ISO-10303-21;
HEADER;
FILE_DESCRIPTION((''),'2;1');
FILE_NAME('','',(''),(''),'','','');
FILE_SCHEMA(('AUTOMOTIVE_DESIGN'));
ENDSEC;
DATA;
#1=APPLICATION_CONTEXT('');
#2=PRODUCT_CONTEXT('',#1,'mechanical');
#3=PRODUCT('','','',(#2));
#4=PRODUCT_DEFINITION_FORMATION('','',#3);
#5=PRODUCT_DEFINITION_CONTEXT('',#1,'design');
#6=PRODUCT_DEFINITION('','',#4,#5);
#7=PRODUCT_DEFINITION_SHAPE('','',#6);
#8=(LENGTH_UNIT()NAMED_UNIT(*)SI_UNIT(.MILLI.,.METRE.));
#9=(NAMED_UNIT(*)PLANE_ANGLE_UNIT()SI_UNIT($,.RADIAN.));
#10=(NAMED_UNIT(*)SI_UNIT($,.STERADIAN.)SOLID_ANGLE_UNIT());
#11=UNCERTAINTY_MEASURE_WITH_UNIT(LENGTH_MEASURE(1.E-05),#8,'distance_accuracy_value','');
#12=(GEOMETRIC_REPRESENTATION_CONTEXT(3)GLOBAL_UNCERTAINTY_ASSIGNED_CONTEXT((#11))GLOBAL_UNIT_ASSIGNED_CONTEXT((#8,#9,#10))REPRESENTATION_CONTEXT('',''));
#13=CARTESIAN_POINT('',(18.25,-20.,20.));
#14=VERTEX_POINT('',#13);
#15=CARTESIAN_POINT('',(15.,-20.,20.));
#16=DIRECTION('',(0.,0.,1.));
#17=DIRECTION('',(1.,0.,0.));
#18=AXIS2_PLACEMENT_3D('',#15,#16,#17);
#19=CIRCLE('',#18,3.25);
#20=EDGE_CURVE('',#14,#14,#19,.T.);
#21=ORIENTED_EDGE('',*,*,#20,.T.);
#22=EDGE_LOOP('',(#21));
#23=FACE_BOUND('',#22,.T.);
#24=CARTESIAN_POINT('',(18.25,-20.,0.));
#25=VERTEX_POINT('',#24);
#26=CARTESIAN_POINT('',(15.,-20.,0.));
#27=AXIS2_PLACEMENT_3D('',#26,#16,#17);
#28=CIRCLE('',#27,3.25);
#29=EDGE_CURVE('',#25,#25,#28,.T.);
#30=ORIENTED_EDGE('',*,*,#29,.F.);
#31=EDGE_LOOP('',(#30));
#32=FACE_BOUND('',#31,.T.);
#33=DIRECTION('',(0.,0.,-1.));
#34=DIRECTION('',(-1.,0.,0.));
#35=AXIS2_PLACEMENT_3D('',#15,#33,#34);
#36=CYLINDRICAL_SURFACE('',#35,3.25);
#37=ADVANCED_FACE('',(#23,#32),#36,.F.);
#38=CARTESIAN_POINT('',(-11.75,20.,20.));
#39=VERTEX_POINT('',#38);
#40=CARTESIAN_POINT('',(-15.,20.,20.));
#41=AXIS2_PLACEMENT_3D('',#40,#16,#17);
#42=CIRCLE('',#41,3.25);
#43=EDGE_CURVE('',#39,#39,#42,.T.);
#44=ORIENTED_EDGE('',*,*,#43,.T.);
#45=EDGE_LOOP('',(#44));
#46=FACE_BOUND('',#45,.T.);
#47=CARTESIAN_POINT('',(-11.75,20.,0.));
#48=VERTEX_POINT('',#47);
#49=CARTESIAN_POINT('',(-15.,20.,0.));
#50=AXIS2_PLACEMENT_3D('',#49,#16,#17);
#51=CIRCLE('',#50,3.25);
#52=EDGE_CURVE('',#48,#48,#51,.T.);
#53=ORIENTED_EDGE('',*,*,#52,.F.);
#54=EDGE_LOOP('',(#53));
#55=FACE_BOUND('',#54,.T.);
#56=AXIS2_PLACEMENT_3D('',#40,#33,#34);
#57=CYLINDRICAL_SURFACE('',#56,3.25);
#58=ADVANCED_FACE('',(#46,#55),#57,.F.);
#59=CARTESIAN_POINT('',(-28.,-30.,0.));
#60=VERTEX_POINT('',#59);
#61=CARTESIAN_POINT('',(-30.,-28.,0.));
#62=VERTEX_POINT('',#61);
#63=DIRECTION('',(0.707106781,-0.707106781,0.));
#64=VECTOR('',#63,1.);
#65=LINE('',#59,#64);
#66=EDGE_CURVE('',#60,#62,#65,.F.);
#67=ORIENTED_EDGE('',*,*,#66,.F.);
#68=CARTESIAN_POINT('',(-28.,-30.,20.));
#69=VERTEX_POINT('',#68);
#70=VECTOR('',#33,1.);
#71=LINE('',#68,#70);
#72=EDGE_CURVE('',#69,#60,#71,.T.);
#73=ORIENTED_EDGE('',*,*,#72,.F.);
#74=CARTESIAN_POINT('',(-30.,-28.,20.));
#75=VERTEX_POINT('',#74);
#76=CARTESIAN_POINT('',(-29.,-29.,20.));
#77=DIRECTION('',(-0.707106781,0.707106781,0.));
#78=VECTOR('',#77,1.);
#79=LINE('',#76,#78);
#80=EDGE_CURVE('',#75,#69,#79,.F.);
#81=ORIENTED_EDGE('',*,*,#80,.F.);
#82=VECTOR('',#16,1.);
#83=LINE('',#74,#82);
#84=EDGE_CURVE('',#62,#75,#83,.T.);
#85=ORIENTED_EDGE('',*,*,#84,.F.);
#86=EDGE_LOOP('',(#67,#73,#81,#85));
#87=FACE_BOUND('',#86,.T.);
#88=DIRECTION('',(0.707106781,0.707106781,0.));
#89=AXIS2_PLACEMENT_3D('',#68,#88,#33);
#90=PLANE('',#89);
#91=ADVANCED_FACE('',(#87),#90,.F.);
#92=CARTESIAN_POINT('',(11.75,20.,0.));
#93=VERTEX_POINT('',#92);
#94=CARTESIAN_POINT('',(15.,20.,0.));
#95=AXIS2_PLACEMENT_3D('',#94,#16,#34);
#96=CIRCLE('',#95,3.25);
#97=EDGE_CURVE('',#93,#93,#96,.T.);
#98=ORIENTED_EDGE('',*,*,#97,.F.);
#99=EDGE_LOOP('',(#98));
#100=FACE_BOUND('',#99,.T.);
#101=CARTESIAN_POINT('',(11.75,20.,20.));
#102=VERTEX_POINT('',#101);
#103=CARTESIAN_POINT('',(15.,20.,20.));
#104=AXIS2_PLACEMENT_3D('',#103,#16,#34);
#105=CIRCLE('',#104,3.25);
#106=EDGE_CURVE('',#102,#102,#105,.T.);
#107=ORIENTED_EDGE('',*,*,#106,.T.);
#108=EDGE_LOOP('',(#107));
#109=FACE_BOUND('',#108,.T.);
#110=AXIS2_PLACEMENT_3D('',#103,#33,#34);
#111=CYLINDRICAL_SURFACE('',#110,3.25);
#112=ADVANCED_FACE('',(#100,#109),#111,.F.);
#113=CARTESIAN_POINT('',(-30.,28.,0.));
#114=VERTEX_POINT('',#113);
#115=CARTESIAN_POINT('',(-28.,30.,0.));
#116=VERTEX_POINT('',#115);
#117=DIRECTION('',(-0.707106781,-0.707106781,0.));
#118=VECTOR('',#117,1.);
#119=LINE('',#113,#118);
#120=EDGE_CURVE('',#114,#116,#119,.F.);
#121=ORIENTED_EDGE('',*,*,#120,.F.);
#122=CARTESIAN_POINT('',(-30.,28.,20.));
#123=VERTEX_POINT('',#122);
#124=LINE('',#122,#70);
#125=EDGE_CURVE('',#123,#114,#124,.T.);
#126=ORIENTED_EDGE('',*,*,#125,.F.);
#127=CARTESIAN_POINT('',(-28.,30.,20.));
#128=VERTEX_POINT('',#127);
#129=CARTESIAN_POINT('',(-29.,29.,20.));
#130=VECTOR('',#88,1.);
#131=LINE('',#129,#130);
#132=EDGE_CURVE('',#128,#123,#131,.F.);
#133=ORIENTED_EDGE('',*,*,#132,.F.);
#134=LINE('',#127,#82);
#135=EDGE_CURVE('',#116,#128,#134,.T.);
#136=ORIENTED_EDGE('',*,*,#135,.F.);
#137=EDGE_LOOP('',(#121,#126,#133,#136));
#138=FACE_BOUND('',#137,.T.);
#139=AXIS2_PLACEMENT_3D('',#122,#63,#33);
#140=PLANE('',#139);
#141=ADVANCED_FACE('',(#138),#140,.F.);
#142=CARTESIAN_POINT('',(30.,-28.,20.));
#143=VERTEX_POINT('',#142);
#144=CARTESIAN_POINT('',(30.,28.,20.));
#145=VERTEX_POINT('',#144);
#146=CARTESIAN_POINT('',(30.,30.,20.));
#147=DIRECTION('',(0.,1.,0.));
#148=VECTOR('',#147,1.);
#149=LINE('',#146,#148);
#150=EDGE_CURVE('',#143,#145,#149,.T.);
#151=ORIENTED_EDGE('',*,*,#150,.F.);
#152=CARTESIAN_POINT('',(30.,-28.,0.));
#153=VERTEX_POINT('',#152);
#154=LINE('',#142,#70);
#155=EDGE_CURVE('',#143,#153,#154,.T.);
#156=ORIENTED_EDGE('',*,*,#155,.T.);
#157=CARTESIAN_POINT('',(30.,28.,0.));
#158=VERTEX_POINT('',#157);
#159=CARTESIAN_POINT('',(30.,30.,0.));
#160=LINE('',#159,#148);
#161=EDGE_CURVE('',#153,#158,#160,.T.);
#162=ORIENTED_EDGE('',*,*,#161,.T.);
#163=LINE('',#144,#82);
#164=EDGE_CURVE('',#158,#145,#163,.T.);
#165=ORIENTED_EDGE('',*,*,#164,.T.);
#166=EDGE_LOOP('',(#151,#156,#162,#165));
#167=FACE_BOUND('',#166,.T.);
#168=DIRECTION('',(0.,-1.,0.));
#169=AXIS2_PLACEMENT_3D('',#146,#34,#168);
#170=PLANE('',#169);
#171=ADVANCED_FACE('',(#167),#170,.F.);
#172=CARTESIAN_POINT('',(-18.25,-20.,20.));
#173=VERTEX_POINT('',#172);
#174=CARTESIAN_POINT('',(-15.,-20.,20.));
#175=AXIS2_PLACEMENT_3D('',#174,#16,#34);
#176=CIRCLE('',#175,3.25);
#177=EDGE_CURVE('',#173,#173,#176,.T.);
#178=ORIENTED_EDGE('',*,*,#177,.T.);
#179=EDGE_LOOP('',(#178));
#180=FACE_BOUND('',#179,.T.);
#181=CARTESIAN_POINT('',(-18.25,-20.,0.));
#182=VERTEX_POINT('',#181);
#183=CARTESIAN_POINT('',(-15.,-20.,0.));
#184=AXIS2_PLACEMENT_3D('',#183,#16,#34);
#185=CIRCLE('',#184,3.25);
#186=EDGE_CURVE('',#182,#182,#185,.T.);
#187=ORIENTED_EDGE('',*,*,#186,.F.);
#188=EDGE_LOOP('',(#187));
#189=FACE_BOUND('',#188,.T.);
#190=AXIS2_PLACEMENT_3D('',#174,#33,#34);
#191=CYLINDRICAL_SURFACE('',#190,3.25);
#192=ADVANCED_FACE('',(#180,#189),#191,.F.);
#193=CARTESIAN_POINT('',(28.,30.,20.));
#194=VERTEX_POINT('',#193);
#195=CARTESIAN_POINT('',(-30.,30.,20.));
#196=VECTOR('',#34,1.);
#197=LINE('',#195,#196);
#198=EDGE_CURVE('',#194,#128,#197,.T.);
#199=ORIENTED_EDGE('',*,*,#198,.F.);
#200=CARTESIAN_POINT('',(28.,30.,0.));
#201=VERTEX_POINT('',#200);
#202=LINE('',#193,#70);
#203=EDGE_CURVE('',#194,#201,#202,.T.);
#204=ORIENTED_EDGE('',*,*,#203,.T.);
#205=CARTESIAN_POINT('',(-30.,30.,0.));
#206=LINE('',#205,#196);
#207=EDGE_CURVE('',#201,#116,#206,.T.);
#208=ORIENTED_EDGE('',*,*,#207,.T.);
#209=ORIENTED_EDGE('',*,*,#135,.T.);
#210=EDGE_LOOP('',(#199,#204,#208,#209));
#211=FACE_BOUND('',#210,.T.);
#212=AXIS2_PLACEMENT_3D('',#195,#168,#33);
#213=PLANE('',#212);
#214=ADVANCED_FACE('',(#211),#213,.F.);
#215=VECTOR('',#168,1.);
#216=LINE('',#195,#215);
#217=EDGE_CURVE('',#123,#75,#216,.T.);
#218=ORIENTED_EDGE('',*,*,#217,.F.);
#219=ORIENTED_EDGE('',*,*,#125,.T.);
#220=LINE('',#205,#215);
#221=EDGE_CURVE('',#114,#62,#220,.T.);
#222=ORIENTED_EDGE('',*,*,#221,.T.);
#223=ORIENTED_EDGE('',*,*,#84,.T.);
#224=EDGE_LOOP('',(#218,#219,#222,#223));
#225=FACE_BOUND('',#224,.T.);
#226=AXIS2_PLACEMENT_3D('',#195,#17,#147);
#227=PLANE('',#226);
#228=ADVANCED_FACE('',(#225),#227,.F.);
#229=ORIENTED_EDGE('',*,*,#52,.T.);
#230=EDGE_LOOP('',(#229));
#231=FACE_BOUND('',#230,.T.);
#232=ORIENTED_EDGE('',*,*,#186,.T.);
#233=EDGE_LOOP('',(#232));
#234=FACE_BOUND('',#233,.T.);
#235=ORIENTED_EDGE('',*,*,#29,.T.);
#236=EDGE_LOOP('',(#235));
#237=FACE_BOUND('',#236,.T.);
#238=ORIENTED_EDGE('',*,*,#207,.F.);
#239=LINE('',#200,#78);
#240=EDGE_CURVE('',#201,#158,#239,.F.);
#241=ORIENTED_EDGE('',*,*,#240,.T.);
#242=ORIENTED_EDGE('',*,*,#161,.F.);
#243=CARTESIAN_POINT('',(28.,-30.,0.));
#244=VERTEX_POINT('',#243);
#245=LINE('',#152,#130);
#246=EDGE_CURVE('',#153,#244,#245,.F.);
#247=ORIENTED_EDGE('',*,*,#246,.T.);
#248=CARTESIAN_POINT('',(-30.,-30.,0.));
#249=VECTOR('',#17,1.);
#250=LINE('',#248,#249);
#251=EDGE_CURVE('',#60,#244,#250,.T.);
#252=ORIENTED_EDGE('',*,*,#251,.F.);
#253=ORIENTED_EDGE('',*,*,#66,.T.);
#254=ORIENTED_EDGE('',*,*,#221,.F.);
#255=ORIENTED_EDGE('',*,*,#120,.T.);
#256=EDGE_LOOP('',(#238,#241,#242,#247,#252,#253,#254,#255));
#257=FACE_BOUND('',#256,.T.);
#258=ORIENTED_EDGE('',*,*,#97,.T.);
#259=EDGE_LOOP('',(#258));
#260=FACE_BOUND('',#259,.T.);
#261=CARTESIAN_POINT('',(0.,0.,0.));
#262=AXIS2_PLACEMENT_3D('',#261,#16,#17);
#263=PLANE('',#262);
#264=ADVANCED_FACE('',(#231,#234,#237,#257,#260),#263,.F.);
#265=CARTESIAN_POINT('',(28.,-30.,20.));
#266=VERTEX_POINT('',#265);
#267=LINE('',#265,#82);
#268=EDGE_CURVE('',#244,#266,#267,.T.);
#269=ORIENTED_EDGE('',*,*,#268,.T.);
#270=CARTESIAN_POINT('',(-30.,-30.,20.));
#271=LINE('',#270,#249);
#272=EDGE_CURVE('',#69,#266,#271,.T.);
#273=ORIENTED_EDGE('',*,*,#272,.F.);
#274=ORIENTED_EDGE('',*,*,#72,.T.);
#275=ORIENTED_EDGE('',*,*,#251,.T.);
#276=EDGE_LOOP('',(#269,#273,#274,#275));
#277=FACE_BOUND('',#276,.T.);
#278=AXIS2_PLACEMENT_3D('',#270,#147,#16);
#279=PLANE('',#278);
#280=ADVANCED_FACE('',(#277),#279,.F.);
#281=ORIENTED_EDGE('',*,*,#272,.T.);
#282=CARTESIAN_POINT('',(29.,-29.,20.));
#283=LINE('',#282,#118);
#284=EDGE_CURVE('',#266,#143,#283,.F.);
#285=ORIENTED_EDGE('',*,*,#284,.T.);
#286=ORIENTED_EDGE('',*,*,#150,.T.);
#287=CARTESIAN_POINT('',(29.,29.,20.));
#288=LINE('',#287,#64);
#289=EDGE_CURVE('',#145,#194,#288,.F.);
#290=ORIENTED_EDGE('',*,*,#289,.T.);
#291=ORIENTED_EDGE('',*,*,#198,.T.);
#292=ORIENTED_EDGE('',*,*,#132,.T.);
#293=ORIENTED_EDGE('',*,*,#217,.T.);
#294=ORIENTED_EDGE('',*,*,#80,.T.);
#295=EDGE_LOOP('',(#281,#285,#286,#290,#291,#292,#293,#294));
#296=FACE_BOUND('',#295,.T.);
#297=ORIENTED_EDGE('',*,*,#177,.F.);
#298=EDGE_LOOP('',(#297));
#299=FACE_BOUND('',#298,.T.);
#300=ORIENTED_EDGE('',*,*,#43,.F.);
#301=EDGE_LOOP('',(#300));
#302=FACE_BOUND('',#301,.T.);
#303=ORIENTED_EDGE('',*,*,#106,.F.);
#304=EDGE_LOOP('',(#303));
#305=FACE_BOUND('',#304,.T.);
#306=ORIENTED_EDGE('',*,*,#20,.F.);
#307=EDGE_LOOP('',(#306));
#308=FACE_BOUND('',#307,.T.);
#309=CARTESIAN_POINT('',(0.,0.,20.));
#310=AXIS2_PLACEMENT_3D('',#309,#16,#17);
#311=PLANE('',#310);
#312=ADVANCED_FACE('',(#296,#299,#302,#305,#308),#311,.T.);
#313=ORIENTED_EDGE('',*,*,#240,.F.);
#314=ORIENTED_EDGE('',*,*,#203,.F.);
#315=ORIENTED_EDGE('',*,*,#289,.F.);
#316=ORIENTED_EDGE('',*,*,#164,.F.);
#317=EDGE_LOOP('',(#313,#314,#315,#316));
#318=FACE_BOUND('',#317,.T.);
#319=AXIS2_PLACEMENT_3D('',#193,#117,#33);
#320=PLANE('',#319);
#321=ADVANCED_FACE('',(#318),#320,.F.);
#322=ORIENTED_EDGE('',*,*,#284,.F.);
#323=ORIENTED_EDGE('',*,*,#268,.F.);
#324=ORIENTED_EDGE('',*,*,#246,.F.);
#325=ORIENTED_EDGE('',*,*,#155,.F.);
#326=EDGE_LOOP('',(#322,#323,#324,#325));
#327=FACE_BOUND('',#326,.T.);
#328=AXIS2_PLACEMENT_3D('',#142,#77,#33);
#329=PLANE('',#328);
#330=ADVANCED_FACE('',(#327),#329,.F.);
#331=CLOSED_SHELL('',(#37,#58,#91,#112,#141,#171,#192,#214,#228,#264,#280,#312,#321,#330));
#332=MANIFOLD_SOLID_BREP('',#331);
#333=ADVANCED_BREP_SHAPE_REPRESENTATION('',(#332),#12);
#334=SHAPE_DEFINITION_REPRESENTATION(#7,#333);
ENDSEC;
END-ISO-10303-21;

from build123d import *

# Parameters (mm, degrees)
SKETCH1_W           = 60
SKETCH1_H           = 60
SKETCH1_R           = 3.25
BOSS_EXTRUDE1_DEPTH = 20
CHAMFER1_SIZE       = 2


with BuildPart() as part:
    # Sketch1 → Boss-Extrude1 (new body)
    with BuildSketch(Plane.XY):
        Rectangle(SKETCH1_W, SKETCH1_H)
        with Locations((-15, 20)):
            Circle(SKETCH1_R, mode=Mode.SUBTRACT)
        with Locations((15, 20)):
            Circle(SKETCH1_R, mode=Mode.SUBTRACT)
        with Locations((15, -20)):
            Circle(SKETCH1_R, mode=Mode.SUBTRACT)
        with Locations((-15, -20)):
            Circle(SKETCH1_R, mode=Mode.SUBTRACT)
    extrude(amount=BOSS_EXTRUDE1_DEPTH)

    # Chamfer1
    chamfer1_edges = [part.edges().sort_by_distance(p)[0] for p in [
        (30, -30, 10),
        (-30, -30, 10),
        (-30, 30, 10),
        (30, 30, 10),
    ]]
    chamfer(chamfer1_edges, length=CHAMFER1_SIZE)


solid = part.part
